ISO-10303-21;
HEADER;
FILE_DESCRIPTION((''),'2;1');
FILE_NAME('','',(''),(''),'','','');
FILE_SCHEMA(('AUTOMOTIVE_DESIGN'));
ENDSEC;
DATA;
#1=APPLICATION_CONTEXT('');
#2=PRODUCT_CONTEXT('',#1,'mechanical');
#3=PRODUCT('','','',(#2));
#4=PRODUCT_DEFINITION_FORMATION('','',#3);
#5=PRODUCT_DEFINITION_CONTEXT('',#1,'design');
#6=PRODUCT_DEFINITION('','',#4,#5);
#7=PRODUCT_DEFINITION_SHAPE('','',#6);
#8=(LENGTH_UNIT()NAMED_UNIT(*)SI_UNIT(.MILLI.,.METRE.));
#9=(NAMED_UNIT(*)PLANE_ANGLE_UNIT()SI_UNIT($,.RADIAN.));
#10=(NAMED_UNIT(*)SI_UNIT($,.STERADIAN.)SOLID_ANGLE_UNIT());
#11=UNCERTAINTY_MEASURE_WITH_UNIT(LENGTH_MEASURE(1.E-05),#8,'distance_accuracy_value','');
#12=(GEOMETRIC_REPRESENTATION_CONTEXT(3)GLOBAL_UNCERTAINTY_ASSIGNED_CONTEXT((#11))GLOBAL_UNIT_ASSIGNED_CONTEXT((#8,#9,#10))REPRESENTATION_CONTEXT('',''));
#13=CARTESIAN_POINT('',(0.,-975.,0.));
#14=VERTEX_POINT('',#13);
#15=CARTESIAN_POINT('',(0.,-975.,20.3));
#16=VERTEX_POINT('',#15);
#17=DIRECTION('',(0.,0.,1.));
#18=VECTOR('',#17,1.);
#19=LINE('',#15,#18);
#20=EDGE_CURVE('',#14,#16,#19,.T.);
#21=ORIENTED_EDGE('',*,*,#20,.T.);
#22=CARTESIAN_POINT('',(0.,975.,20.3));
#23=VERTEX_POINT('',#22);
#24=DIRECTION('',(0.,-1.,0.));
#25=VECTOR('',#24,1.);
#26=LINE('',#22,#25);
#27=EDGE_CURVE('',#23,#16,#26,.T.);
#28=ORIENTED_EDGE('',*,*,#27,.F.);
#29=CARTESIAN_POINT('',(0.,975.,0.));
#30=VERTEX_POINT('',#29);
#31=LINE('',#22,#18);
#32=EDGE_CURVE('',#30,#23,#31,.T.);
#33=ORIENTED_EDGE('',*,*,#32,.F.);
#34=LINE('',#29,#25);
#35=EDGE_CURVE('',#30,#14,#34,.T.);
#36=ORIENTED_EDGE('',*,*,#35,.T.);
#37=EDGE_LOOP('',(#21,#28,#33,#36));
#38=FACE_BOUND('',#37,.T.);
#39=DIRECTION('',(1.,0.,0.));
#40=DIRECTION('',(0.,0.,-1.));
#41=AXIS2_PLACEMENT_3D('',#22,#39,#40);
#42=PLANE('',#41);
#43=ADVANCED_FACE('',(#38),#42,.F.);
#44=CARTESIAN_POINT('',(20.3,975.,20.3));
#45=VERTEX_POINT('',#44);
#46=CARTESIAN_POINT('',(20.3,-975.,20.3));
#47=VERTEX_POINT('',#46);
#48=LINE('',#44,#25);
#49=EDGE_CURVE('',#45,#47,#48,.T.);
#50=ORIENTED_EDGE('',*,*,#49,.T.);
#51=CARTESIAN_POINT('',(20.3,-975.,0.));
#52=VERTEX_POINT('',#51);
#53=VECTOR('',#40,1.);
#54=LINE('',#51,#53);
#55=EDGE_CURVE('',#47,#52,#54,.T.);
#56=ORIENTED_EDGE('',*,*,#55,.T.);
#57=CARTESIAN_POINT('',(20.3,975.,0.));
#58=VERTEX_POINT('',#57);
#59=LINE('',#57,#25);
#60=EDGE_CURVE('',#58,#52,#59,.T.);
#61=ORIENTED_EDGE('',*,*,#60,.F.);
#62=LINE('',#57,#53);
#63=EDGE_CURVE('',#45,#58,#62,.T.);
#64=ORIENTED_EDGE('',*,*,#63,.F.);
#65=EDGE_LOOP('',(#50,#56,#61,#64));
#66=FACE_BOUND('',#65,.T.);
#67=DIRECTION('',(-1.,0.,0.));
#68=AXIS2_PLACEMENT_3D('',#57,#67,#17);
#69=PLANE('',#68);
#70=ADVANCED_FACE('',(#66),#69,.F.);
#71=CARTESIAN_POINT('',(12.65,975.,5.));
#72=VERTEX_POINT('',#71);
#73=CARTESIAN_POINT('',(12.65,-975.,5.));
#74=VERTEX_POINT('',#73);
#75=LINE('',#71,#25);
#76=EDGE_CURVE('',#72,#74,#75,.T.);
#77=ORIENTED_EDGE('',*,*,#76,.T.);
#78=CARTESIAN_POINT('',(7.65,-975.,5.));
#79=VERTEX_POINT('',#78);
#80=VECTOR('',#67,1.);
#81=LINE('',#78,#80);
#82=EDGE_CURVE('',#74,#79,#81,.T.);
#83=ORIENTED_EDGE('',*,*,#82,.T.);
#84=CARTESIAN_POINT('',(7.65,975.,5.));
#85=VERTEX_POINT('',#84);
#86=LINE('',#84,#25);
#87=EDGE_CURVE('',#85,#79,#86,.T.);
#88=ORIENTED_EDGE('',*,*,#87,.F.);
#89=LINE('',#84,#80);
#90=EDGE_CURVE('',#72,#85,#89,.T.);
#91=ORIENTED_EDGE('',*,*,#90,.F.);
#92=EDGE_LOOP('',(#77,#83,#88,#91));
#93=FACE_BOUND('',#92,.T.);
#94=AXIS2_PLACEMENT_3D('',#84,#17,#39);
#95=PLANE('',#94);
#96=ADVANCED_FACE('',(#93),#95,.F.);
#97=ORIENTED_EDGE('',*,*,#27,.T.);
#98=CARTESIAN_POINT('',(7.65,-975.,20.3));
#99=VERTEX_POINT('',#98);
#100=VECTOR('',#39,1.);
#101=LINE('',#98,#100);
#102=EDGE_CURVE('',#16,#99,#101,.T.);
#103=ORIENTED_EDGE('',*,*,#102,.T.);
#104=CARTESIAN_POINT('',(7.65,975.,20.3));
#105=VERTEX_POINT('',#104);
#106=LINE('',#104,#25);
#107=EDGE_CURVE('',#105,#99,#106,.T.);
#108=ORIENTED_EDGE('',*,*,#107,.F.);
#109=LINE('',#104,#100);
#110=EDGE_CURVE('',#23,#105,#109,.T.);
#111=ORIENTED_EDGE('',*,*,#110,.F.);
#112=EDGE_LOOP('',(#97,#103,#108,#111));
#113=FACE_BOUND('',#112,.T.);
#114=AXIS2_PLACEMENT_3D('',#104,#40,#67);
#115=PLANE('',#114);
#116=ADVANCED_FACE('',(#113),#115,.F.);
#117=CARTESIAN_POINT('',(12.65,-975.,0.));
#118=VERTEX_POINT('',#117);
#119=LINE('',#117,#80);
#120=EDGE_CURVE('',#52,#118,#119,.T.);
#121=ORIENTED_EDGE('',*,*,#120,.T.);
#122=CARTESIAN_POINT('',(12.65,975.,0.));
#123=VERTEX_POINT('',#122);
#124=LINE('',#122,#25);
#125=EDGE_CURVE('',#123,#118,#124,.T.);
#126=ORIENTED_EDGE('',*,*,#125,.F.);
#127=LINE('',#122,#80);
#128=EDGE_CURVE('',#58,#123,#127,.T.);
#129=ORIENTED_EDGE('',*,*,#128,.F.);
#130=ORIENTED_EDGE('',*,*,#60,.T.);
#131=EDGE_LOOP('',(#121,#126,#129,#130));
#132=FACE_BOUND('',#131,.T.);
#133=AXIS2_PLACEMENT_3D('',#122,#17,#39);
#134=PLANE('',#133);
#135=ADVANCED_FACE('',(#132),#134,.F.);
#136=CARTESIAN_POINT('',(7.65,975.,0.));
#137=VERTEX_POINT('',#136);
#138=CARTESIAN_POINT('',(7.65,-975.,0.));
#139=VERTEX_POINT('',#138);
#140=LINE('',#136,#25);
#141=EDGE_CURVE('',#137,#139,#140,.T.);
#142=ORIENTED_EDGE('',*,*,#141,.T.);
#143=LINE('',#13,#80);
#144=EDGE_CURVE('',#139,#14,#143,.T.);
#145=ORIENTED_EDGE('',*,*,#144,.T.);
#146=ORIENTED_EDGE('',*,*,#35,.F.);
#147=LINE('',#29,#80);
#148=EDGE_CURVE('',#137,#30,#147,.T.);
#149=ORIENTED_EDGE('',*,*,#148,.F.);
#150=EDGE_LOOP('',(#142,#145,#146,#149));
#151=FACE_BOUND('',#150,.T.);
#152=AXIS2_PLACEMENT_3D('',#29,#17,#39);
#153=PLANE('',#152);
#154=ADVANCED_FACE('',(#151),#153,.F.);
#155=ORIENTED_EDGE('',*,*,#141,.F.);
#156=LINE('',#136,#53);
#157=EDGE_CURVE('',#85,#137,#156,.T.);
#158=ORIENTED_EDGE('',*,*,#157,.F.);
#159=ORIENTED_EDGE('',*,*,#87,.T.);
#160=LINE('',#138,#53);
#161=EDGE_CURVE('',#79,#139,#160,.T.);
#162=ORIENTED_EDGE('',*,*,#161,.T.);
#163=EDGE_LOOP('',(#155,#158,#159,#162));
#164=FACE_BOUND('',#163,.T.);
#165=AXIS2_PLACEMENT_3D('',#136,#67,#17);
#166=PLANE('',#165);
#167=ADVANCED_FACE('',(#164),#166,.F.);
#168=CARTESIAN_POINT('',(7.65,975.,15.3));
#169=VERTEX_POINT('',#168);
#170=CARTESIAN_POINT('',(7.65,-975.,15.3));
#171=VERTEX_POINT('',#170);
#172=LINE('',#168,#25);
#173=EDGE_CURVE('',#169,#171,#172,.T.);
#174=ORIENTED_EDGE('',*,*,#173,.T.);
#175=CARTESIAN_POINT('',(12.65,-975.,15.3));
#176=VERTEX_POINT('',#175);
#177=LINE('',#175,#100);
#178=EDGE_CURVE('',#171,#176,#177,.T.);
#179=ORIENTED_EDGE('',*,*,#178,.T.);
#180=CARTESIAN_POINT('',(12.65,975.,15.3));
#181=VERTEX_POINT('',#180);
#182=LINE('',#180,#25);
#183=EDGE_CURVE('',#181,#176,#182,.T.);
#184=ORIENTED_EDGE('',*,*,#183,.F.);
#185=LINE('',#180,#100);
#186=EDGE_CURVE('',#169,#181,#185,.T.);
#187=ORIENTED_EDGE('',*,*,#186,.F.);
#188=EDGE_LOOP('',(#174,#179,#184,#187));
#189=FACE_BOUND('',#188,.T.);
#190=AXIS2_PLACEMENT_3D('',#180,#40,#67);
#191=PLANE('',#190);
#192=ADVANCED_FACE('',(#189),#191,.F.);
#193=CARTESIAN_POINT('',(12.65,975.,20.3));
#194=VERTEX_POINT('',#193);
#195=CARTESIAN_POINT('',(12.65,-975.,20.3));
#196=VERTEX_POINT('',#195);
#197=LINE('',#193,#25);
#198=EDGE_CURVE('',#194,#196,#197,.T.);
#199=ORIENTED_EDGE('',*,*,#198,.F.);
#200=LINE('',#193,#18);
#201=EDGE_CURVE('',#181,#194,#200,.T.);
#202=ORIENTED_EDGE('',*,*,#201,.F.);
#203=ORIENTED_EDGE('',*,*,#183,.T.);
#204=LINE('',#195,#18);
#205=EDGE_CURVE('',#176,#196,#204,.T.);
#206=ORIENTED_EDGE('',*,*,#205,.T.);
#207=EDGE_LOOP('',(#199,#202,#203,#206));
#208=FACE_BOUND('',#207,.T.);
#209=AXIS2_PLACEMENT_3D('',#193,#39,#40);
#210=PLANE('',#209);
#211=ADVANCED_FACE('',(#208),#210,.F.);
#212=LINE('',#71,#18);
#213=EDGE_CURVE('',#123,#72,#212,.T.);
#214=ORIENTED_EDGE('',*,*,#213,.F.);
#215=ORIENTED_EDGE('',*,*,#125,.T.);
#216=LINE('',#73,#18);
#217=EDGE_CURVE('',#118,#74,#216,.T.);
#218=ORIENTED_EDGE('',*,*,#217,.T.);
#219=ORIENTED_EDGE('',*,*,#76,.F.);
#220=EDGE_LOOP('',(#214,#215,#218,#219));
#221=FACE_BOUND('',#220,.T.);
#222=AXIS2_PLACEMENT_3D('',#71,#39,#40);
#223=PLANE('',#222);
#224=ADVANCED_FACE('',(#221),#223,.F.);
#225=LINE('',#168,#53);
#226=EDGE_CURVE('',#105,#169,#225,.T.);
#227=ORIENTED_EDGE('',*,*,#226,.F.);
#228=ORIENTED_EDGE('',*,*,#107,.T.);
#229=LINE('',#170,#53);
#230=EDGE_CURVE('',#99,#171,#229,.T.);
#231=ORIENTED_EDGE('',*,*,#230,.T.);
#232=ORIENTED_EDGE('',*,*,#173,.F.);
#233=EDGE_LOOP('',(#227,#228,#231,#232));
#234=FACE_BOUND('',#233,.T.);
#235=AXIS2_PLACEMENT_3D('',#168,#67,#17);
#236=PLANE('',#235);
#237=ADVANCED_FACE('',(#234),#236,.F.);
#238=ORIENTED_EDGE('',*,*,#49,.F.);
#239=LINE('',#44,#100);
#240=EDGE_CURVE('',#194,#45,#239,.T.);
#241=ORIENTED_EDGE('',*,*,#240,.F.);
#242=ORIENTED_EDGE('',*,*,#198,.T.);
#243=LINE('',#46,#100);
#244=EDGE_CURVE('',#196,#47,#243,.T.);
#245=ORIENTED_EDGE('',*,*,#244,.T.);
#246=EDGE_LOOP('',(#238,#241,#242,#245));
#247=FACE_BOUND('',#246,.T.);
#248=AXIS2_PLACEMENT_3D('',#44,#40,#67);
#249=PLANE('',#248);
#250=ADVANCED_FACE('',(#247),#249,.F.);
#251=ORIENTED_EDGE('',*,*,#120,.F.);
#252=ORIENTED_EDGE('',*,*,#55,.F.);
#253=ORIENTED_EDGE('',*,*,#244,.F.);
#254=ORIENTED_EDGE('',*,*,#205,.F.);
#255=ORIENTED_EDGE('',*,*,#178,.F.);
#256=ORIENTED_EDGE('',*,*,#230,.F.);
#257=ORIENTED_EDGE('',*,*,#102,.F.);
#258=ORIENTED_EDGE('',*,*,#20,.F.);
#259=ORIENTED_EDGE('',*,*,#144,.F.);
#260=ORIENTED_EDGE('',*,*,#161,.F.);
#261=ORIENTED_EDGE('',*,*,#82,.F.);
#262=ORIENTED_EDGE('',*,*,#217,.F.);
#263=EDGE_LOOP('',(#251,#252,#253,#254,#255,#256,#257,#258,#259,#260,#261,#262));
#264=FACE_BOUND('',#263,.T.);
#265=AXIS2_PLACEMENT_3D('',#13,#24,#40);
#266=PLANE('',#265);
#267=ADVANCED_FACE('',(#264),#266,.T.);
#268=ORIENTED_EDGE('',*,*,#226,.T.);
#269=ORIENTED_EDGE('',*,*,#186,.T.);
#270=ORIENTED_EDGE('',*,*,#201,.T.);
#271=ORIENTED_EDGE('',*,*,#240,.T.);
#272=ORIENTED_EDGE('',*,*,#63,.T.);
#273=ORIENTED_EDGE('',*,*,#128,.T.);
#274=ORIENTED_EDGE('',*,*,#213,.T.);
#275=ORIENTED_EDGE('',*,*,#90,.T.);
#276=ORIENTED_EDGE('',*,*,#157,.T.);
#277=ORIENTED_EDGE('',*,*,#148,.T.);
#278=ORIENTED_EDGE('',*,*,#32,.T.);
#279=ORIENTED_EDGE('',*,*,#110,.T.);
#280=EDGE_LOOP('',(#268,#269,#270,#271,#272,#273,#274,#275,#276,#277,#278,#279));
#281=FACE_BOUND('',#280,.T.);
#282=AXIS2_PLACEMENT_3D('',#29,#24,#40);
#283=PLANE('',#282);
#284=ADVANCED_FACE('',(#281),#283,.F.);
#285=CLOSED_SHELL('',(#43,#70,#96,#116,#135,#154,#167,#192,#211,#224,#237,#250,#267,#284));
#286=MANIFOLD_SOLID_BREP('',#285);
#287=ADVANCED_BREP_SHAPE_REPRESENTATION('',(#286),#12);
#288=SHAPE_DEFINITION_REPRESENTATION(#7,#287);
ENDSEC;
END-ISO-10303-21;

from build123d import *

# Parameters (mm, degrees)
SALIENTE_EXTRUIR1_DEPTH = 975


with BuildPart() as part:
    # Croquis1 → Saliente-Extruir1 (new, symmetric)
    with BuildSketch(Plane(origin=(0, 0, 0), x_dir=(1, 0, 0), z_dir=(0, 1, 0))):
        Polygon((0, 0), (7.65, 0), (7.65, -5), (12.65, -5), (12.65, 0), (20.3, 0), (20.3, -20.3), (12.65, -20.3), (12.65, -15.3), (7.65, -15.3), (7.65, -20.3), (0, -20.3), align=None)
    extrude(amount=SALIENTE_EXTRUIR1_DEPTH, both=True)


solid = part.part
